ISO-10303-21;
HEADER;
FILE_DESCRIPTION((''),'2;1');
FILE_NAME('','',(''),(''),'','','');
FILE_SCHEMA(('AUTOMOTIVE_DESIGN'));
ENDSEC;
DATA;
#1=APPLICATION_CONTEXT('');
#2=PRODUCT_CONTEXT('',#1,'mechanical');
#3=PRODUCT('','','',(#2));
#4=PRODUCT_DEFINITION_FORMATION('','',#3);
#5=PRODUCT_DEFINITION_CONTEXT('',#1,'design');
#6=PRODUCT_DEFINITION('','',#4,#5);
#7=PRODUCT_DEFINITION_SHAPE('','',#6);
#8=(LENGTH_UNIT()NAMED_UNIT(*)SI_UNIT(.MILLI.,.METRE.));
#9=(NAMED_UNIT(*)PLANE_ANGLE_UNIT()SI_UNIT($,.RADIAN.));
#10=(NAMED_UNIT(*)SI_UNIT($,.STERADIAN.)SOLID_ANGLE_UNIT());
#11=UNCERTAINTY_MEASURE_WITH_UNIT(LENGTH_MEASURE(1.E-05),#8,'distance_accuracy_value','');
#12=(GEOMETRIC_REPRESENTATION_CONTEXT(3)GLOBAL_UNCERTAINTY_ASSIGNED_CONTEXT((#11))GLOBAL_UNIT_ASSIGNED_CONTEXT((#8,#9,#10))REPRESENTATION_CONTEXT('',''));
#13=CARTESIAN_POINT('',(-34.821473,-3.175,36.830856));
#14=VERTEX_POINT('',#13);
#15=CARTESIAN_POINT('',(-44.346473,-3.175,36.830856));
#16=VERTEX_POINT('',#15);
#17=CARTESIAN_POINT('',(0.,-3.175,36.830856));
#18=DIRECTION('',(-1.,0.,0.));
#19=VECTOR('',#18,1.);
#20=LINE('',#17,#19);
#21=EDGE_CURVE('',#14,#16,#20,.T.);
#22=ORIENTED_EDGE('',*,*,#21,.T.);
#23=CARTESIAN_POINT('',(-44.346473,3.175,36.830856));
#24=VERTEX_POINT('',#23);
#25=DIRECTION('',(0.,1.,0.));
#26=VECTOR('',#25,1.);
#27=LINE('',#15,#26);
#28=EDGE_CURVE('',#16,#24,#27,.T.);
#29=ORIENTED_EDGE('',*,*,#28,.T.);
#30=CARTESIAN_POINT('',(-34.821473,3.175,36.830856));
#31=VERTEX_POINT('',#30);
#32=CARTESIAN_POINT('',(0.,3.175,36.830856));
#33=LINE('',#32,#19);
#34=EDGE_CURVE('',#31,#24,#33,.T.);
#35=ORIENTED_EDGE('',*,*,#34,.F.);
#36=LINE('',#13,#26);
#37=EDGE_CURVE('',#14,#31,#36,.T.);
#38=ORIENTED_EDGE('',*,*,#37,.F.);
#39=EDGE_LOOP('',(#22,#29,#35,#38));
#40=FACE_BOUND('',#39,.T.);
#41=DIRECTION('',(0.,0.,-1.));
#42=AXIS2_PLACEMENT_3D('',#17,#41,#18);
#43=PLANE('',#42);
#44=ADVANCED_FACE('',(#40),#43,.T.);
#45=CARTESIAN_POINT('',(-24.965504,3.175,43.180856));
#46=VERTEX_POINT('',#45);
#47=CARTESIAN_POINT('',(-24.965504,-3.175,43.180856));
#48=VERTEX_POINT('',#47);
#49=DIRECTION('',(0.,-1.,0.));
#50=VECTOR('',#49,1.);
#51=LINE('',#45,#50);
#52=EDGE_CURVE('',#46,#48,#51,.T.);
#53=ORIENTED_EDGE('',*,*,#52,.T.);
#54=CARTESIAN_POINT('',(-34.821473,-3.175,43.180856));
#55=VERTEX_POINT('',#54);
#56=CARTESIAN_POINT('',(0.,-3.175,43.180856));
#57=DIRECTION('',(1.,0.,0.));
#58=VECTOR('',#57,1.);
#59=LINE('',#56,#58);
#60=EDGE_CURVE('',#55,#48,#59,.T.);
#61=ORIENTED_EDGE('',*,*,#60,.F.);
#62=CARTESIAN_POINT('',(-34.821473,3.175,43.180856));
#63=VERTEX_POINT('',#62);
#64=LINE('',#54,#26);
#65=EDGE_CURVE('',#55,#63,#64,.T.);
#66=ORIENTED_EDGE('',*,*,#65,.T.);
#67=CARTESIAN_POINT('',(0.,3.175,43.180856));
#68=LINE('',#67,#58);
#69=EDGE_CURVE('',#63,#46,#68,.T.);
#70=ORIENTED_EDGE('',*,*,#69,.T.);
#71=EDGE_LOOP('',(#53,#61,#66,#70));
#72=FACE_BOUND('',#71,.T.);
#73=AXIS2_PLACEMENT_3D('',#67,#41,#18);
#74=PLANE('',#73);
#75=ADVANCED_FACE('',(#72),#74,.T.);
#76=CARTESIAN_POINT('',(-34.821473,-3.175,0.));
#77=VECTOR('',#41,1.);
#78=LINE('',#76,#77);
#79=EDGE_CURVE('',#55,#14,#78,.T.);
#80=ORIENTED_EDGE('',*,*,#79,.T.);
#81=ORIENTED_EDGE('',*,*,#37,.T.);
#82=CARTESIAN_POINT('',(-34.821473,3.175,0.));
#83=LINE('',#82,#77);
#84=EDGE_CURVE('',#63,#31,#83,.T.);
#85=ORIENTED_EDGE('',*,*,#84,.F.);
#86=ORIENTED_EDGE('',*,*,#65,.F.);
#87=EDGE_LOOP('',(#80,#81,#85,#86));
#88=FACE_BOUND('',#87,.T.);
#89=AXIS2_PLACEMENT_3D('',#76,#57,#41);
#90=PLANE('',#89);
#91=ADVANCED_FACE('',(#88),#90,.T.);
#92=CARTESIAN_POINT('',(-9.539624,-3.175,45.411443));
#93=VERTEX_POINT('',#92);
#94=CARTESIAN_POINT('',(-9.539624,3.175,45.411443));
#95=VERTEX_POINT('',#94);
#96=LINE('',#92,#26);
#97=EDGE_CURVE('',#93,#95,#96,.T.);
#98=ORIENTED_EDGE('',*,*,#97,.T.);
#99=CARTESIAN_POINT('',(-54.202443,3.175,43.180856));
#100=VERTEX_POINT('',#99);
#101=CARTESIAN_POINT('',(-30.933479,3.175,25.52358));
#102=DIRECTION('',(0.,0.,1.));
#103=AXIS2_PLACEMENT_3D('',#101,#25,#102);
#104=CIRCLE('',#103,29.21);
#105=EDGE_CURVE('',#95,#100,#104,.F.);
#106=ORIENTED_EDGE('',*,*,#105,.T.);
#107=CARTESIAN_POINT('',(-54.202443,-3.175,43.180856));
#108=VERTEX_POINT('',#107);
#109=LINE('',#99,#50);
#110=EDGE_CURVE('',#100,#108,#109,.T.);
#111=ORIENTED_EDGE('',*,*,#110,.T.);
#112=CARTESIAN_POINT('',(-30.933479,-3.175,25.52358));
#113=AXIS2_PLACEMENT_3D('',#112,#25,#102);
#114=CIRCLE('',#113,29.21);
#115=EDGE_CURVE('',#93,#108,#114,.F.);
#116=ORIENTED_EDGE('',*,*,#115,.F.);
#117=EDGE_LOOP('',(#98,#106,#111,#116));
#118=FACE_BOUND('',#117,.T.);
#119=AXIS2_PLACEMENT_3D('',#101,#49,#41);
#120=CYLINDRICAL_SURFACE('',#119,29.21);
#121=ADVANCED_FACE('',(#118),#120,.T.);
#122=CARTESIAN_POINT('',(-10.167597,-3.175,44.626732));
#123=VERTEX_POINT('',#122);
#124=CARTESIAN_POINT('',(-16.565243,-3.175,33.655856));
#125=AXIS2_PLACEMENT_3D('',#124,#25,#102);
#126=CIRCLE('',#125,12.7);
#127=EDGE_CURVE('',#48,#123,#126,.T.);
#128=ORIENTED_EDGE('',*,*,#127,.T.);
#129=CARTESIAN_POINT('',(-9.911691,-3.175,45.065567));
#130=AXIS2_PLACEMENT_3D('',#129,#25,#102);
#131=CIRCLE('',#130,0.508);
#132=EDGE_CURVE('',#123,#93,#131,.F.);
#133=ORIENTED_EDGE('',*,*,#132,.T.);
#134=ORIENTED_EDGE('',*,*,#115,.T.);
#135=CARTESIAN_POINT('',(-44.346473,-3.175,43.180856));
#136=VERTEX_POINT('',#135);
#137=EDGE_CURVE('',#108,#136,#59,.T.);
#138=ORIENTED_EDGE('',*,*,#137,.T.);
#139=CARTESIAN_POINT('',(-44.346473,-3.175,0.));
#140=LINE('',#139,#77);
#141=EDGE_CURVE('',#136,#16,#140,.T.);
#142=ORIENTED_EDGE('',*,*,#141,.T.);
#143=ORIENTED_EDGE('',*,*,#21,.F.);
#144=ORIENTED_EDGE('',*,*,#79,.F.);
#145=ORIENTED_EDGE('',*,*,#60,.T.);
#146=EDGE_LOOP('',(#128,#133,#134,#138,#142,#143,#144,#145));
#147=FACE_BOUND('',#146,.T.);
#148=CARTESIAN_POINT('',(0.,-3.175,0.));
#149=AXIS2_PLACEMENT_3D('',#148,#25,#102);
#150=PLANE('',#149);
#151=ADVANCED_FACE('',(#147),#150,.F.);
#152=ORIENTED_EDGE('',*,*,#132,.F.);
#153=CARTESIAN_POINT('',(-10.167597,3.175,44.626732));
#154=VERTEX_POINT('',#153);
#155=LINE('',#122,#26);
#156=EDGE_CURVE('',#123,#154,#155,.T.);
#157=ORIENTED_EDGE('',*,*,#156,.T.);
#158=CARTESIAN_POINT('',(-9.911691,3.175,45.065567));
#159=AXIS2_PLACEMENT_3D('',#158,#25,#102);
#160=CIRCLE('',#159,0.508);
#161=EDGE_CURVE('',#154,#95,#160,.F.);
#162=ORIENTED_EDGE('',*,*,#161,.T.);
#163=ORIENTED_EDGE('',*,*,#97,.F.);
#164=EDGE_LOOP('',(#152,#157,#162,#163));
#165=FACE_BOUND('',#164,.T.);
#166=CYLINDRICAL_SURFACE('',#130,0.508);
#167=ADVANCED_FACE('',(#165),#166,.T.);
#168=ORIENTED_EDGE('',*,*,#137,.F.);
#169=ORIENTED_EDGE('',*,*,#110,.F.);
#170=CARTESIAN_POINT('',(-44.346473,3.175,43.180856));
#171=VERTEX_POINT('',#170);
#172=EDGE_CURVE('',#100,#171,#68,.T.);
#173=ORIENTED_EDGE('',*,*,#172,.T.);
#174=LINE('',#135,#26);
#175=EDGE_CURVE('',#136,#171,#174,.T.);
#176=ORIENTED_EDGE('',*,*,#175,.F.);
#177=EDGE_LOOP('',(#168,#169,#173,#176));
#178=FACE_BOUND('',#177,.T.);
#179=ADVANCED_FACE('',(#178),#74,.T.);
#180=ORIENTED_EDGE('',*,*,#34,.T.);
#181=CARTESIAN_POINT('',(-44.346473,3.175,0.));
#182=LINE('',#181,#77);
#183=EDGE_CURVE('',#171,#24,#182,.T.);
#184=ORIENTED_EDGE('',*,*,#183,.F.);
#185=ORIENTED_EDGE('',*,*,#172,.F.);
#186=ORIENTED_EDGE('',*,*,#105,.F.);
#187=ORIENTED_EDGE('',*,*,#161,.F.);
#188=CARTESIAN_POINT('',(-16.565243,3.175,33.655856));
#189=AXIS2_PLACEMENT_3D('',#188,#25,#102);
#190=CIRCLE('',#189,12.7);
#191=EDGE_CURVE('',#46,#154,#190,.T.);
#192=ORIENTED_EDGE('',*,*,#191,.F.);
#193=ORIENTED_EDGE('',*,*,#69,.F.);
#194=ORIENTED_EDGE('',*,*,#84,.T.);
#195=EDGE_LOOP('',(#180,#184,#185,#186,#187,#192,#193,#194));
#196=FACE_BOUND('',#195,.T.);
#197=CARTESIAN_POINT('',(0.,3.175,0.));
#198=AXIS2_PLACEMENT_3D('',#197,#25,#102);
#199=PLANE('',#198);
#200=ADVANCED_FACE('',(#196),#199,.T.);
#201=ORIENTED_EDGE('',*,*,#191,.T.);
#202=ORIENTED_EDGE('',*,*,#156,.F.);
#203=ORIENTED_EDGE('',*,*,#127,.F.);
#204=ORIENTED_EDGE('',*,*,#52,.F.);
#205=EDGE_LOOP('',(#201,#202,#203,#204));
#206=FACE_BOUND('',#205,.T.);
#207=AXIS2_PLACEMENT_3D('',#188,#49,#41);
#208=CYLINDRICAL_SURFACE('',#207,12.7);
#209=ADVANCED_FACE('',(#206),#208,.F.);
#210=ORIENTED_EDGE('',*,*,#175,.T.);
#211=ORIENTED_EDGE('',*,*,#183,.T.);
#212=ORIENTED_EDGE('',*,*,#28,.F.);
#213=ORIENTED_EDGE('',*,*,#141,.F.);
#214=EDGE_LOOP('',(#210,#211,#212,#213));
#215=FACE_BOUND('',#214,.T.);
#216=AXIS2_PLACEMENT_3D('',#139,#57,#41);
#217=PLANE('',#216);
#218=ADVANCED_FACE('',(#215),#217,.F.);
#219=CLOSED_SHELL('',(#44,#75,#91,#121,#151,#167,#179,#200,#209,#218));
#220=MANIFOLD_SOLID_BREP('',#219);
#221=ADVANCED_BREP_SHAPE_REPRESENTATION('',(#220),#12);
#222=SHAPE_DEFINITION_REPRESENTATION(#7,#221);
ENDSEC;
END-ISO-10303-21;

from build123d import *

# Parameters (mm, degrees)
BOSS_EXTRUDE1_DEPTH = 3.175
SKETCH2_W           = 9.525
SKETCH2_H           = 6.35
BOSS_EXTRUDE2_DEPTH = 6.35
CUT_EXTRUDE1_DEPTH  = 78.291604858


with BuildPart() as part:
    # Sketch1 → Boss-Extrude1 (new, symmetric)
    with BuildSketch(Plane(origin=(0, 0, 0), x_dir=(1, 0, 0), z_dir=(0, 1, 0))):
        with BuildLine():
            Line((-41.502443258, -43.180856192), (-54.202443258, -43.180856192))
            ThreePointArc((-54.202443258, -43.180856192), (-28.976499653, -54.667950949), (-5.512754363, -39.911452934))
            ThreePointArc((-5.512754363, -39.911452934), (-14.460289915, -46.180199356), (-24.965503608, -43.180856192))
            Line((-24.965503608, -43.180856192), (-41.502443258, -43.180856192))
        make_face()
    extrude(amount=BOSS_EXTRUDE1_DEPTH, both=True)

    # Sketch2 → Boss-Extrude2 (add)
    with BuildSketch(Plane(origin=(0, 3.175, 0), x_dir=(1, 0, 0), z_dir=(0, 1, 0))):
        with Locations((-39.583973433, -40.005856192)):
            Rectangle(SKETCH2_W, SKETCH2_H)
    extrude(amount=-BOSS_EXTRUDE2_DEPTH)

    # Sketch3 → Cut-Extrude1 (cut, through all)
    with BuildSketch(Plane(origin=(0, 3.175, 0), x_dir=(1, 0, 0), z_dir=(0, 1, 0))):
        with BuildLine():
            ThreePointArc((-5.512754363, -39.911452934), (-7.527252939, -42.578004595), (-10.167597026, -44.626732342))
            ThreePointArc((-10.167597026, -44.626732342), (-9.515060164, -44.74815939), (-9.539624144, -45.411443263))
            ThreePointArc((-9.539624144, -45.411443263), (-7.365201872, -42.779316528), (-5.512754363, -39.911452934))
        make_face()
    extrude(amount=-CUT_EXTRUDE1_DEPTH, mode=Mode.SUBTRACT)


solid = part.part
